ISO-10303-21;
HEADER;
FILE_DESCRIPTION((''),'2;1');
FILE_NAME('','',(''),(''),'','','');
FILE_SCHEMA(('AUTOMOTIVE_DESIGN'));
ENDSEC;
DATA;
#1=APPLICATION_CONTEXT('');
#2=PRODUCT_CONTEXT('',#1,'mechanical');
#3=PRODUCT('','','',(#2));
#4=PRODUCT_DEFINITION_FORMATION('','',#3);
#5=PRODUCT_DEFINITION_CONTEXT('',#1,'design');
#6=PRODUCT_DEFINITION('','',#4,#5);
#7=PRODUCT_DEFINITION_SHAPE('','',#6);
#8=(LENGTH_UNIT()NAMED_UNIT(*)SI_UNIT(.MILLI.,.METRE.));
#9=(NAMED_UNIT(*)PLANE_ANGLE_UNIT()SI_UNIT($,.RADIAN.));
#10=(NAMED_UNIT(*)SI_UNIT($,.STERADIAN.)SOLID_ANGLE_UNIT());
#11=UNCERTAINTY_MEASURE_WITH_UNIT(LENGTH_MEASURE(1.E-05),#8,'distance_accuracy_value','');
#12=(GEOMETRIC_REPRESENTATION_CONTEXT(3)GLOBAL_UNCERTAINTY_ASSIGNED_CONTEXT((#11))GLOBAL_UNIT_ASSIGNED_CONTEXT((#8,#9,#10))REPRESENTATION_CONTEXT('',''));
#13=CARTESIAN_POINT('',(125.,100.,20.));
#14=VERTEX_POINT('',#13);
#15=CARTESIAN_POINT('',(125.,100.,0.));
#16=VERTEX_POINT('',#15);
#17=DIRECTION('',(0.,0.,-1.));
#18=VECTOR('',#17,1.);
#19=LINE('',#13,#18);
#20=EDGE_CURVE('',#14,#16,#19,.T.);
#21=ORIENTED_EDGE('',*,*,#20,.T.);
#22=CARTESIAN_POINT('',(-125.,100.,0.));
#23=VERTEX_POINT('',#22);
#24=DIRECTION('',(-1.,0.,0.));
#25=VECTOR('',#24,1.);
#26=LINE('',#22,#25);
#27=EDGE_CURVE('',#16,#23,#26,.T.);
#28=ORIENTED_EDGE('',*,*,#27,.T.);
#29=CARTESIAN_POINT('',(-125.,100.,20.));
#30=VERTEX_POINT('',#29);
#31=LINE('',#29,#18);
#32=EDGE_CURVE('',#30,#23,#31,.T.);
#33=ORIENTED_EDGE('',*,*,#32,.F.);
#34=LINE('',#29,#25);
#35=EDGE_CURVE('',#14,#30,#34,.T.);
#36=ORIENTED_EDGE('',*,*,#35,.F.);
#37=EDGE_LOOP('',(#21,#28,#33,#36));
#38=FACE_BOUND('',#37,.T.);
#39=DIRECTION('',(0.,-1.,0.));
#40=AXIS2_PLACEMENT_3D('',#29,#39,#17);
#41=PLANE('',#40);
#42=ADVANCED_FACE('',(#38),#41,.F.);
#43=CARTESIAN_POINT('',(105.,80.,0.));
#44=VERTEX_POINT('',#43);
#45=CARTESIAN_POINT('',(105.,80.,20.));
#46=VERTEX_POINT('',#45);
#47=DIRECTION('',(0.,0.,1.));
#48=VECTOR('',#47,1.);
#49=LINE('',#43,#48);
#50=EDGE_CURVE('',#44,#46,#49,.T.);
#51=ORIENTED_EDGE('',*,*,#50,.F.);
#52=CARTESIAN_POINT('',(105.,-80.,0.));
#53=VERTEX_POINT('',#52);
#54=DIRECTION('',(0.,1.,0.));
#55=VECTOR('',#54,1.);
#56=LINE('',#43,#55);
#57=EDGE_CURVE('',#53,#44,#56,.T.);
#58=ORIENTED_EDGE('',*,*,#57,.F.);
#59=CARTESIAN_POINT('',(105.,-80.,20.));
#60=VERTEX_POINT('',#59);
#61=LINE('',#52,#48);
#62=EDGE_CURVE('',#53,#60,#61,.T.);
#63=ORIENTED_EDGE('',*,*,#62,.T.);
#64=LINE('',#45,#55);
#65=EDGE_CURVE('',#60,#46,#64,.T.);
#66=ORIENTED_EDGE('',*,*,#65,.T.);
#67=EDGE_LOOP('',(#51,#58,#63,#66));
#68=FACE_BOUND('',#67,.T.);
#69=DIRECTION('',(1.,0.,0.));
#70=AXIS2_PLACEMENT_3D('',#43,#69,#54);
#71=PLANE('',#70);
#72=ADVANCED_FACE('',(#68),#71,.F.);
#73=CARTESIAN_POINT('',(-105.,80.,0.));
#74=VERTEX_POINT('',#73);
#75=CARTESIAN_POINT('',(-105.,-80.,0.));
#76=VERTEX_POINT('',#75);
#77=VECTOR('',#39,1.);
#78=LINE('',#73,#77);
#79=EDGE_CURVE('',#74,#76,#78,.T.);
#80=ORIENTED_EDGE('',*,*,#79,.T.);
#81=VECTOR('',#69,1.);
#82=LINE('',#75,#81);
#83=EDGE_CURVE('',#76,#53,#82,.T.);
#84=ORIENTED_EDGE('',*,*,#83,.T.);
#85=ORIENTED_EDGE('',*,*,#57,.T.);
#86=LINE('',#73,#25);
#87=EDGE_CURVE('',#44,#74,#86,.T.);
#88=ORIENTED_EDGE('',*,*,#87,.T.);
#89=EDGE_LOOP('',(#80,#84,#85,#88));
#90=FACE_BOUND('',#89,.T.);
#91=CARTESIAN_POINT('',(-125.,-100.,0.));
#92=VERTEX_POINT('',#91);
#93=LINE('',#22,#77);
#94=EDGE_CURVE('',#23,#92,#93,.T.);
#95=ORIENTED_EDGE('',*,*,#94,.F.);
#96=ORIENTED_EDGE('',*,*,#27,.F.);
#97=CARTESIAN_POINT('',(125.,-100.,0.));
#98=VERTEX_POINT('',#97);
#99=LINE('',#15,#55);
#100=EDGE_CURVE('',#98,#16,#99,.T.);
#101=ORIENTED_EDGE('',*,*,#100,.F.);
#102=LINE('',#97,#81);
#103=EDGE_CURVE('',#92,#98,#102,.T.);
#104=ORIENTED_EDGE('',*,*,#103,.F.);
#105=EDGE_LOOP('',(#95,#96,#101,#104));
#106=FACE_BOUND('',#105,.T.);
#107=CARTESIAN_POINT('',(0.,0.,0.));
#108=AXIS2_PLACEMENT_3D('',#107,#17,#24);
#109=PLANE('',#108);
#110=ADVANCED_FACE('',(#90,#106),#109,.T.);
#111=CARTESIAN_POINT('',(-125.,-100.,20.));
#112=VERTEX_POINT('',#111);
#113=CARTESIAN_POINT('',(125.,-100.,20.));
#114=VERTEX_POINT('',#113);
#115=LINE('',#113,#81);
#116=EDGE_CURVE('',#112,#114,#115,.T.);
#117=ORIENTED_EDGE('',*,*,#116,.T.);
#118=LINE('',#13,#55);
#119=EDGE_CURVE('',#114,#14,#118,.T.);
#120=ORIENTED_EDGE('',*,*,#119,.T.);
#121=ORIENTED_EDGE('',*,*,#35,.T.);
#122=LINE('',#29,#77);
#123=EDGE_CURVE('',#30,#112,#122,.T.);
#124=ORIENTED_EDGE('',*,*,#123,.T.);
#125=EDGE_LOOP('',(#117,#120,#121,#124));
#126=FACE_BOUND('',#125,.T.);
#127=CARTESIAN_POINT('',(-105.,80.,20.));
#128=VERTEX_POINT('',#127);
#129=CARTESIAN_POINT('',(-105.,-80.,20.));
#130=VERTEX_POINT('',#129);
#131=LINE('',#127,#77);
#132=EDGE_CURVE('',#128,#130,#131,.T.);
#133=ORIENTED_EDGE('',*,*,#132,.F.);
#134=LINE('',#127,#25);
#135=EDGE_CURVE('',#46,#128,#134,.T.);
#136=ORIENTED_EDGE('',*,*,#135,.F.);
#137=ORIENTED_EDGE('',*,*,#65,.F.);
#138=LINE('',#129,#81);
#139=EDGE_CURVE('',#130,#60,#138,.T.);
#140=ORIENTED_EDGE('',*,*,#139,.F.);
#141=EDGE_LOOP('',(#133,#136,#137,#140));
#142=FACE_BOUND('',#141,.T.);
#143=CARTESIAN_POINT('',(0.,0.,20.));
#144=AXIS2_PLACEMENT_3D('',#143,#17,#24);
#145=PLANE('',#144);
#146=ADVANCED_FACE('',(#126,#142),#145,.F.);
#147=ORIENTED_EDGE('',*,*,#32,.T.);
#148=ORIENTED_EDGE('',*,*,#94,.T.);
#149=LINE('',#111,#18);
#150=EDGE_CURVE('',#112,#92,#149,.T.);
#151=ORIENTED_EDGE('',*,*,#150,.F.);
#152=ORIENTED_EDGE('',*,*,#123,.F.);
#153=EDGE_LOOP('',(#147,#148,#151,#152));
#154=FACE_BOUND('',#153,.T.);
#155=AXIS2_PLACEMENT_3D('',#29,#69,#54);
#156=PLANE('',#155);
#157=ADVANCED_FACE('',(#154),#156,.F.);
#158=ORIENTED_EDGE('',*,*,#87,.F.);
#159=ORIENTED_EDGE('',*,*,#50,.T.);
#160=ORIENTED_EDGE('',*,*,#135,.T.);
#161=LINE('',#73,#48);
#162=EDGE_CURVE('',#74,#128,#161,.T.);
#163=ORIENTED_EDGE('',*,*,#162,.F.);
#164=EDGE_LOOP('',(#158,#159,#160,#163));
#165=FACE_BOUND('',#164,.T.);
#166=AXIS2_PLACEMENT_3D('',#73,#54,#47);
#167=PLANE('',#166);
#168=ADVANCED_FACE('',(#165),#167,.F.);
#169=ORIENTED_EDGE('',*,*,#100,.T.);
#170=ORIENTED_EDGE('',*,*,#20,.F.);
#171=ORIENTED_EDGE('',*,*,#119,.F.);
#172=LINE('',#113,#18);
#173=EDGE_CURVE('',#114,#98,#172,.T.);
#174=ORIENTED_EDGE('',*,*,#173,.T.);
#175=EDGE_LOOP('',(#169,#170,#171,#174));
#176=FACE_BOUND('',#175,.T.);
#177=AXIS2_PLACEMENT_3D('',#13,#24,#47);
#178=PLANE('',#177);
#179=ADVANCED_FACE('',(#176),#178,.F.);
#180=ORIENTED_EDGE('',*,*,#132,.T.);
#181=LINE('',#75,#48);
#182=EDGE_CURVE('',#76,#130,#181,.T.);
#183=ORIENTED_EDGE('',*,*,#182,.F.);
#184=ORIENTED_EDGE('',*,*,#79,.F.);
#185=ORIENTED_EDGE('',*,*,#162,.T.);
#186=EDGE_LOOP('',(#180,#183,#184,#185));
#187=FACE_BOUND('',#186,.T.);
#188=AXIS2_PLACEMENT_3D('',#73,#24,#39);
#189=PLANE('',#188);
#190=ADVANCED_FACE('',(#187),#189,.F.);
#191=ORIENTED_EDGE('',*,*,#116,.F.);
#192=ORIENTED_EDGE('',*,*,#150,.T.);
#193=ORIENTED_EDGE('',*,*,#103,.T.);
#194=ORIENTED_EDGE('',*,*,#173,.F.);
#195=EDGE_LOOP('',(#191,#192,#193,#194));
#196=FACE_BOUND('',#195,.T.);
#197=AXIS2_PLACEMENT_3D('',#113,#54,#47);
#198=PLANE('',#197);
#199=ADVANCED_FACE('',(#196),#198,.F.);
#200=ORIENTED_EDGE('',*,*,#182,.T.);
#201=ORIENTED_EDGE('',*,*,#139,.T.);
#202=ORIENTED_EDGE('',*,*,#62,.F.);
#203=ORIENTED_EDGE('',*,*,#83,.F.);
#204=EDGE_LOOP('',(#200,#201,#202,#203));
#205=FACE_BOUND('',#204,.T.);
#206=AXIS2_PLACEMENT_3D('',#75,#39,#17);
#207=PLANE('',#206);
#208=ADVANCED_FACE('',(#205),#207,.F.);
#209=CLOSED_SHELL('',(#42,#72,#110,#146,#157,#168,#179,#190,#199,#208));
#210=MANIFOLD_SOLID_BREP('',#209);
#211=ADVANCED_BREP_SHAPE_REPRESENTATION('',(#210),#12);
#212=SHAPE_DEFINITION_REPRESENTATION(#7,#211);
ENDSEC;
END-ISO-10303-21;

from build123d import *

# Parameters (mm, degrees)
SKETCH_1_W          = 250
SKETCH_1_H          = 200
EXTRUDE_1_DEPTH     = 20
SKETCH_2_W          = 210
SKETCH_2_H          = 160
CUT_EXTRUDE_1_DEPTH = 20


with BuildPart() as part:
    # 草图1 → 凸台-拉伸1 (new body)
    with BuildSketch(Plane.XY):
        Rectangle(SKETCH_1_W, SKETCH_1_H)
    extrude(amount=EXTRUDE_1_DEPTH)

    # 草图2 → 切除-拉伸1 (cut)
    with BuildSketch(Plane.XY.offset(20)):
        Rectangle(SKETCH_2_W, SKETCH_2_H)
    extrude(amount=-CUT_EXTRUDE_1_DEPTH, mode=Mode.SUBTRACT)


solid = part.part
